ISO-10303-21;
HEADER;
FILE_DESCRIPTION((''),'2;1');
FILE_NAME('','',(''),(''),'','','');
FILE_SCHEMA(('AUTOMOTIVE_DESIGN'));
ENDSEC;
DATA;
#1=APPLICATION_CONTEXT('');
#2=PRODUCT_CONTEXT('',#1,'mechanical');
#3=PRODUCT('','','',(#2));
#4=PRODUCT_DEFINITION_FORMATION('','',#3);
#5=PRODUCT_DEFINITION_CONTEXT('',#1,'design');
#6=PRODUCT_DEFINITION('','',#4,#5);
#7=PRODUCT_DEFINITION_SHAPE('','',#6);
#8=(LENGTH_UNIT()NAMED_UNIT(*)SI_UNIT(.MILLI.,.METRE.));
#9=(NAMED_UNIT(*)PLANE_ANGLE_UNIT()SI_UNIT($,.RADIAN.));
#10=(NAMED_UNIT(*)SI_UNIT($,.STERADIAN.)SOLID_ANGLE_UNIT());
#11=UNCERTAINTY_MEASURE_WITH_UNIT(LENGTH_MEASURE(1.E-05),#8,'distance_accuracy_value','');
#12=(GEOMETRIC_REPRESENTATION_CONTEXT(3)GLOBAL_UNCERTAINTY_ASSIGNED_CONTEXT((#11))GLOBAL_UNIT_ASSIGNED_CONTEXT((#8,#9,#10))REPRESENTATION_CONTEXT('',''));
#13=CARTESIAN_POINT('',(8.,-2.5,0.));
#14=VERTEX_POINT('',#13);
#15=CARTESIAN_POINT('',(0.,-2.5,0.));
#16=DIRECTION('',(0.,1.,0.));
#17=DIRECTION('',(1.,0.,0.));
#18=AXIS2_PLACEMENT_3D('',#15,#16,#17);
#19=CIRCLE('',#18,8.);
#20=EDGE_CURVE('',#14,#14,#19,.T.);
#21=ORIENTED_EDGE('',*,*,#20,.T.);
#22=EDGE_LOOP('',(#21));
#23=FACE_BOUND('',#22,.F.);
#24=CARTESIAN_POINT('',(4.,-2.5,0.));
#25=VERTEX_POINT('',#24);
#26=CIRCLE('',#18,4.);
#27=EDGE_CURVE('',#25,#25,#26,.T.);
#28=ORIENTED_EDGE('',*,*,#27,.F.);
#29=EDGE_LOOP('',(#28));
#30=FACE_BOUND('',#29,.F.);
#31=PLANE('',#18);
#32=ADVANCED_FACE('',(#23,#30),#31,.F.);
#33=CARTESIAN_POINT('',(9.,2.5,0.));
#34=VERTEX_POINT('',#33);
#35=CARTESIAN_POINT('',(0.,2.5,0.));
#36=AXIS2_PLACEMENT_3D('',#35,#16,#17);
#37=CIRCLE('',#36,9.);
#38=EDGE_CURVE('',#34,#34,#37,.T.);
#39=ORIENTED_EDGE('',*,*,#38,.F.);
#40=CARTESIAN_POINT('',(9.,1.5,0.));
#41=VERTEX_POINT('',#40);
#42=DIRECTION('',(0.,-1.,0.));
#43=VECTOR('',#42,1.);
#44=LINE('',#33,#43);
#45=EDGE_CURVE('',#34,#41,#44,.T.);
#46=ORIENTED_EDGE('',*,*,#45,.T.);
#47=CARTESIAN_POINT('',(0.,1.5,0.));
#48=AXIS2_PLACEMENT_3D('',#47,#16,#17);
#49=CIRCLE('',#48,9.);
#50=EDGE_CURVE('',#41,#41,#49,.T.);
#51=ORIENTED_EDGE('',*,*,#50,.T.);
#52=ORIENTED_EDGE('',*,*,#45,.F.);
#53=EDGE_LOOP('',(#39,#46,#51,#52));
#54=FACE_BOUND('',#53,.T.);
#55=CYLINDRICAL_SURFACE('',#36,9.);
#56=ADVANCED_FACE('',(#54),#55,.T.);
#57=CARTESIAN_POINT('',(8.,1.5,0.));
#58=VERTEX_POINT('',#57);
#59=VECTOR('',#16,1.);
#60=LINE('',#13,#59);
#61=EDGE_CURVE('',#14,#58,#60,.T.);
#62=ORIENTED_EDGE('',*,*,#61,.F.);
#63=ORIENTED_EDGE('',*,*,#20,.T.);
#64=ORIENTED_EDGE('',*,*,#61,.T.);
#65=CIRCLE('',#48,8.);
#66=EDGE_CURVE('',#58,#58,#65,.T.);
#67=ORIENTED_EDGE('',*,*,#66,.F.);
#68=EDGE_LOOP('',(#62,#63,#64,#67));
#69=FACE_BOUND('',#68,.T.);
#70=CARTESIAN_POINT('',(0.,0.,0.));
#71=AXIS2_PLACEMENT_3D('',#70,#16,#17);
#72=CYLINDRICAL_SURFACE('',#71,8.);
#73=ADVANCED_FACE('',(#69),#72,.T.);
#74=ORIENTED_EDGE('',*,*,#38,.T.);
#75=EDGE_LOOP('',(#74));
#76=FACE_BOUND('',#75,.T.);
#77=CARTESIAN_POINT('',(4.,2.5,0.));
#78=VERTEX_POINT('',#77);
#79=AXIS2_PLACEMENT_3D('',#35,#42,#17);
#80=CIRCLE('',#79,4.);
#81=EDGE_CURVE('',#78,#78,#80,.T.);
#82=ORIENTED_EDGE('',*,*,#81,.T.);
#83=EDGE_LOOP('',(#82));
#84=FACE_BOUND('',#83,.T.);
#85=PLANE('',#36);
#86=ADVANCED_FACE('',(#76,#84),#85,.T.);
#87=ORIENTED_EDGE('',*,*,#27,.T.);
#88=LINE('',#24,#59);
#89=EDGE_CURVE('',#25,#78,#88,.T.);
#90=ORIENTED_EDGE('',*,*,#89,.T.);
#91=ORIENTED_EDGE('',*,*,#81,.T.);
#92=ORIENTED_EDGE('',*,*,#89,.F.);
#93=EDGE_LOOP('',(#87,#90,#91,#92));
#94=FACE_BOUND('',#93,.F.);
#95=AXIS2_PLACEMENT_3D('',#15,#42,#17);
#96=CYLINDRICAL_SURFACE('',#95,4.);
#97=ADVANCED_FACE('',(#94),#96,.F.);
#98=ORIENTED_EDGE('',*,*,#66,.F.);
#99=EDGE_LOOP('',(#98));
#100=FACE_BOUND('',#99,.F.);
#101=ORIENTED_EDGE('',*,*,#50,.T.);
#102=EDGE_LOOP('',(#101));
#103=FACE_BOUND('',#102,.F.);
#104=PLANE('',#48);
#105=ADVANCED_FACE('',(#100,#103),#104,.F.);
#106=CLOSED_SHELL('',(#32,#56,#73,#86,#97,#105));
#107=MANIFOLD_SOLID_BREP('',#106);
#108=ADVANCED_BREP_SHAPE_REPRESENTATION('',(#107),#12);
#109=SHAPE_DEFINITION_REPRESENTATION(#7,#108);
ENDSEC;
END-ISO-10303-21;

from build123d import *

# Parameters (mm, degrees)
SKETCH2_R           = 8
SKETCH2_R_2         = 4
BOSS_EXTRUDE1_DEPTH = 2.5
SKETCH3_R           = 9
BOSS_EXTRUDE3_DEPTH = 1
SKETCH5_R           = 4
CUT_EXTRUDE1_DEPTH  = 6


with BuildPart() as part:
    # Sketch2 → Boss-Extrude1 (new body, symmetric)
    with BuildSketch(Plane(origin=(0, 0, 0), x_dir=(1, 0, 0), z_dir=(0, 1, 0))):
        Circle(SKETCH2_R)
        Circle(SKETCH2_R_2, mode=Mode.SUBTRACT)
    extrude(amount=BOSS_EXTRUDE1_DEPTH, both=True)

    # Sketch3 → Boss-Extrude3 (add)
    with BuildSketch(Plane(origin=(0, 2.5, 0), x_dir=(1, 0, 0), z_dir=(0, 1, 0))):
        Circle(SKETCH3_R)
    extrude(amount=-BOSS_EXTRUDE3_DEPTH)

    # Sketch5 → Cut-Extrude1 (cut, through all)
    with BuildSketch(Plane.XZ.offset(2.5)):
        Circle(SKETCH5_R)
    extrude(amount=-CUT_EXTRUDE1_DEPTH, mode=Mode.SUBTRACT)


solid = part.part
